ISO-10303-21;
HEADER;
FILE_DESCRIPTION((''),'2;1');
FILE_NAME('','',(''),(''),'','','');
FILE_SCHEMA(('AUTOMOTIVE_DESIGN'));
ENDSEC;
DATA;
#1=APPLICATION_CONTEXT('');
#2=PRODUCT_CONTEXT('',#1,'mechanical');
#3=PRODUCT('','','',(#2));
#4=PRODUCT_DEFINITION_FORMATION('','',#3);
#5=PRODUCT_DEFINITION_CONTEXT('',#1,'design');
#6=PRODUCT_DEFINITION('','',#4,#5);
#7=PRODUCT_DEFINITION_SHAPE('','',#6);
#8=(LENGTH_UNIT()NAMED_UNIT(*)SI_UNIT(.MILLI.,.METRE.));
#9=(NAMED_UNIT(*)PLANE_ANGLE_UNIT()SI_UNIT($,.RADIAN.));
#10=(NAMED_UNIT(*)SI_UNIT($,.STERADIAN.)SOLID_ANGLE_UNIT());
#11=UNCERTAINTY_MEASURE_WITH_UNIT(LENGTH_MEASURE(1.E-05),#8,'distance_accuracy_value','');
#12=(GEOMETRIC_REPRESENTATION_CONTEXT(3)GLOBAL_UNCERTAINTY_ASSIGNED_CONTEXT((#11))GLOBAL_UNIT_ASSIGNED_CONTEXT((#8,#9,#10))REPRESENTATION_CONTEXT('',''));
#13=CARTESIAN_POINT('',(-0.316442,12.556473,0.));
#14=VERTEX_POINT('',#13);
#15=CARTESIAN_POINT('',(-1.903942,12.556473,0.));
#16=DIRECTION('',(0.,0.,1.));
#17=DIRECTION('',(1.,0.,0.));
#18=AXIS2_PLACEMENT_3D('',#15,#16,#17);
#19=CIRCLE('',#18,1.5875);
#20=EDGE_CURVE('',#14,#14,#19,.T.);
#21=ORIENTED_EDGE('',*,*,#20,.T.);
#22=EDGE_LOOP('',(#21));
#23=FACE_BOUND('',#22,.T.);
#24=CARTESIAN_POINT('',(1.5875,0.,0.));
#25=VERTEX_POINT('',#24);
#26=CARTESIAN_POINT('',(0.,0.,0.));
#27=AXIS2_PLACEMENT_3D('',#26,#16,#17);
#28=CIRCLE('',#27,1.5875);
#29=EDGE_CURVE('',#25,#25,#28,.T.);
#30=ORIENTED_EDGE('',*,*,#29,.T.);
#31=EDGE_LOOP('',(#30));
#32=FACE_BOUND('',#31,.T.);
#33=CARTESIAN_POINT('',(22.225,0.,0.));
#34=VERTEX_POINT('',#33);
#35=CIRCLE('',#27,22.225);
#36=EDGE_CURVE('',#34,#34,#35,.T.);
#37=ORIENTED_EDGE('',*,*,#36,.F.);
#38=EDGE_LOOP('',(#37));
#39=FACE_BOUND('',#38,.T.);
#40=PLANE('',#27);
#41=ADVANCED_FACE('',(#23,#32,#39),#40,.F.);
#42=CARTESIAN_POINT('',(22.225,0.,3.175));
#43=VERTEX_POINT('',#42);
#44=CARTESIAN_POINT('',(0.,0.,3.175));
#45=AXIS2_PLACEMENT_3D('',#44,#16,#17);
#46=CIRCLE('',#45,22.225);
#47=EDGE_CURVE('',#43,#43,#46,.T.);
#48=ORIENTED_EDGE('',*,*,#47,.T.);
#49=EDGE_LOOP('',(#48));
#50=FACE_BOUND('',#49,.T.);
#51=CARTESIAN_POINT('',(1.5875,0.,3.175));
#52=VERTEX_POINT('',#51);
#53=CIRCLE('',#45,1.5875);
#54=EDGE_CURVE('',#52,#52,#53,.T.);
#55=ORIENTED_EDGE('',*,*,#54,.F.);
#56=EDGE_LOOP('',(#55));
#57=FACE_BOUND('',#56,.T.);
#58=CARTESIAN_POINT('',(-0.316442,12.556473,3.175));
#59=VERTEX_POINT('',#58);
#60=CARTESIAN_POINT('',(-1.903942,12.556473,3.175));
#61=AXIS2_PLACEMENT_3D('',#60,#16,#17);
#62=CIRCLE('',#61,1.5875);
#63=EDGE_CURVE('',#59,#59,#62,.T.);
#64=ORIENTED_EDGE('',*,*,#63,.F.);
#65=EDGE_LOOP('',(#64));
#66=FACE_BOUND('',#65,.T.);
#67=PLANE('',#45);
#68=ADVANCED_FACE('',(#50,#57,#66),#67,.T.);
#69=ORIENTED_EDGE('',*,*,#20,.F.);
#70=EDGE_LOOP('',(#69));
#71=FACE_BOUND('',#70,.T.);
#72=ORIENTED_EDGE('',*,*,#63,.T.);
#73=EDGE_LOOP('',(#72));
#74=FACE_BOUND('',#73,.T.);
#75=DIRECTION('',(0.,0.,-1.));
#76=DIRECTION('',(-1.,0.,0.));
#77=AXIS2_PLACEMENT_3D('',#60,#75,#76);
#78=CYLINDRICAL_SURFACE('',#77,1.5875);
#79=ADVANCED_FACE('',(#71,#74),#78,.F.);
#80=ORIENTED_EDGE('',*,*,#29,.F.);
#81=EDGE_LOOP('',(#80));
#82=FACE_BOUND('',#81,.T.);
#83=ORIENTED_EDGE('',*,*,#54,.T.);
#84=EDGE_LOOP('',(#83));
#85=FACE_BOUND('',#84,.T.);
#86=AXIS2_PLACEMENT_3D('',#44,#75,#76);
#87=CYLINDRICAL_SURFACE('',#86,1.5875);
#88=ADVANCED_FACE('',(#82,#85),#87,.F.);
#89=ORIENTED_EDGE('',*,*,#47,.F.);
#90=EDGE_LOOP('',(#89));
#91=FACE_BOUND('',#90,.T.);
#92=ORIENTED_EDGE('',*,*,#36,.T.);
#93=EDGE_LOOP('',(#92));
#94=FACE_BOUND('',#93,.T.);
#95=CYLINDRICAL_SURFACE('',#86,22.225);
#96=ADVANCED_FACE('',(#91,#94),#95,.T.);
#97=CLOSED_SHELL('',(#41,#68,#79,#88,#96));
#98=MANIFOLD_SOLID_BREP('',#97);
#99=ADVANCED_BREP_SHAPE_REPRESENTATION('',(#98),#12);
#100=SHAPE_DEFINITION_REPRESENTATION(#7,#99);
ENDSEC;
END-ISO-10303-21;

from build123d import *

# Parameters (mm, degrees)
SKETCH1_R           = 22.225
SKETCH1_R_2         = 1.5875
BOSS_EXTRUDE1_DEPTH = 3.175


with BuildPart() as part:
    # Sketch1 → Boss-Extrude1 (new body)
    with BuildSketch(Plane.XY):
        Circle(SKETCH1_R)
        Circle(SKETCH1_R_2, mode=Mode.SUBTRACT)
        with Locations((-1.903942476, 12.556472556)):
            Circle(SKETCH1_R_2, mode=Mode.SUBTRACT)
    extrude(amount=BOSS_EXTRUDE1_DEPTH)


solid = part.part
